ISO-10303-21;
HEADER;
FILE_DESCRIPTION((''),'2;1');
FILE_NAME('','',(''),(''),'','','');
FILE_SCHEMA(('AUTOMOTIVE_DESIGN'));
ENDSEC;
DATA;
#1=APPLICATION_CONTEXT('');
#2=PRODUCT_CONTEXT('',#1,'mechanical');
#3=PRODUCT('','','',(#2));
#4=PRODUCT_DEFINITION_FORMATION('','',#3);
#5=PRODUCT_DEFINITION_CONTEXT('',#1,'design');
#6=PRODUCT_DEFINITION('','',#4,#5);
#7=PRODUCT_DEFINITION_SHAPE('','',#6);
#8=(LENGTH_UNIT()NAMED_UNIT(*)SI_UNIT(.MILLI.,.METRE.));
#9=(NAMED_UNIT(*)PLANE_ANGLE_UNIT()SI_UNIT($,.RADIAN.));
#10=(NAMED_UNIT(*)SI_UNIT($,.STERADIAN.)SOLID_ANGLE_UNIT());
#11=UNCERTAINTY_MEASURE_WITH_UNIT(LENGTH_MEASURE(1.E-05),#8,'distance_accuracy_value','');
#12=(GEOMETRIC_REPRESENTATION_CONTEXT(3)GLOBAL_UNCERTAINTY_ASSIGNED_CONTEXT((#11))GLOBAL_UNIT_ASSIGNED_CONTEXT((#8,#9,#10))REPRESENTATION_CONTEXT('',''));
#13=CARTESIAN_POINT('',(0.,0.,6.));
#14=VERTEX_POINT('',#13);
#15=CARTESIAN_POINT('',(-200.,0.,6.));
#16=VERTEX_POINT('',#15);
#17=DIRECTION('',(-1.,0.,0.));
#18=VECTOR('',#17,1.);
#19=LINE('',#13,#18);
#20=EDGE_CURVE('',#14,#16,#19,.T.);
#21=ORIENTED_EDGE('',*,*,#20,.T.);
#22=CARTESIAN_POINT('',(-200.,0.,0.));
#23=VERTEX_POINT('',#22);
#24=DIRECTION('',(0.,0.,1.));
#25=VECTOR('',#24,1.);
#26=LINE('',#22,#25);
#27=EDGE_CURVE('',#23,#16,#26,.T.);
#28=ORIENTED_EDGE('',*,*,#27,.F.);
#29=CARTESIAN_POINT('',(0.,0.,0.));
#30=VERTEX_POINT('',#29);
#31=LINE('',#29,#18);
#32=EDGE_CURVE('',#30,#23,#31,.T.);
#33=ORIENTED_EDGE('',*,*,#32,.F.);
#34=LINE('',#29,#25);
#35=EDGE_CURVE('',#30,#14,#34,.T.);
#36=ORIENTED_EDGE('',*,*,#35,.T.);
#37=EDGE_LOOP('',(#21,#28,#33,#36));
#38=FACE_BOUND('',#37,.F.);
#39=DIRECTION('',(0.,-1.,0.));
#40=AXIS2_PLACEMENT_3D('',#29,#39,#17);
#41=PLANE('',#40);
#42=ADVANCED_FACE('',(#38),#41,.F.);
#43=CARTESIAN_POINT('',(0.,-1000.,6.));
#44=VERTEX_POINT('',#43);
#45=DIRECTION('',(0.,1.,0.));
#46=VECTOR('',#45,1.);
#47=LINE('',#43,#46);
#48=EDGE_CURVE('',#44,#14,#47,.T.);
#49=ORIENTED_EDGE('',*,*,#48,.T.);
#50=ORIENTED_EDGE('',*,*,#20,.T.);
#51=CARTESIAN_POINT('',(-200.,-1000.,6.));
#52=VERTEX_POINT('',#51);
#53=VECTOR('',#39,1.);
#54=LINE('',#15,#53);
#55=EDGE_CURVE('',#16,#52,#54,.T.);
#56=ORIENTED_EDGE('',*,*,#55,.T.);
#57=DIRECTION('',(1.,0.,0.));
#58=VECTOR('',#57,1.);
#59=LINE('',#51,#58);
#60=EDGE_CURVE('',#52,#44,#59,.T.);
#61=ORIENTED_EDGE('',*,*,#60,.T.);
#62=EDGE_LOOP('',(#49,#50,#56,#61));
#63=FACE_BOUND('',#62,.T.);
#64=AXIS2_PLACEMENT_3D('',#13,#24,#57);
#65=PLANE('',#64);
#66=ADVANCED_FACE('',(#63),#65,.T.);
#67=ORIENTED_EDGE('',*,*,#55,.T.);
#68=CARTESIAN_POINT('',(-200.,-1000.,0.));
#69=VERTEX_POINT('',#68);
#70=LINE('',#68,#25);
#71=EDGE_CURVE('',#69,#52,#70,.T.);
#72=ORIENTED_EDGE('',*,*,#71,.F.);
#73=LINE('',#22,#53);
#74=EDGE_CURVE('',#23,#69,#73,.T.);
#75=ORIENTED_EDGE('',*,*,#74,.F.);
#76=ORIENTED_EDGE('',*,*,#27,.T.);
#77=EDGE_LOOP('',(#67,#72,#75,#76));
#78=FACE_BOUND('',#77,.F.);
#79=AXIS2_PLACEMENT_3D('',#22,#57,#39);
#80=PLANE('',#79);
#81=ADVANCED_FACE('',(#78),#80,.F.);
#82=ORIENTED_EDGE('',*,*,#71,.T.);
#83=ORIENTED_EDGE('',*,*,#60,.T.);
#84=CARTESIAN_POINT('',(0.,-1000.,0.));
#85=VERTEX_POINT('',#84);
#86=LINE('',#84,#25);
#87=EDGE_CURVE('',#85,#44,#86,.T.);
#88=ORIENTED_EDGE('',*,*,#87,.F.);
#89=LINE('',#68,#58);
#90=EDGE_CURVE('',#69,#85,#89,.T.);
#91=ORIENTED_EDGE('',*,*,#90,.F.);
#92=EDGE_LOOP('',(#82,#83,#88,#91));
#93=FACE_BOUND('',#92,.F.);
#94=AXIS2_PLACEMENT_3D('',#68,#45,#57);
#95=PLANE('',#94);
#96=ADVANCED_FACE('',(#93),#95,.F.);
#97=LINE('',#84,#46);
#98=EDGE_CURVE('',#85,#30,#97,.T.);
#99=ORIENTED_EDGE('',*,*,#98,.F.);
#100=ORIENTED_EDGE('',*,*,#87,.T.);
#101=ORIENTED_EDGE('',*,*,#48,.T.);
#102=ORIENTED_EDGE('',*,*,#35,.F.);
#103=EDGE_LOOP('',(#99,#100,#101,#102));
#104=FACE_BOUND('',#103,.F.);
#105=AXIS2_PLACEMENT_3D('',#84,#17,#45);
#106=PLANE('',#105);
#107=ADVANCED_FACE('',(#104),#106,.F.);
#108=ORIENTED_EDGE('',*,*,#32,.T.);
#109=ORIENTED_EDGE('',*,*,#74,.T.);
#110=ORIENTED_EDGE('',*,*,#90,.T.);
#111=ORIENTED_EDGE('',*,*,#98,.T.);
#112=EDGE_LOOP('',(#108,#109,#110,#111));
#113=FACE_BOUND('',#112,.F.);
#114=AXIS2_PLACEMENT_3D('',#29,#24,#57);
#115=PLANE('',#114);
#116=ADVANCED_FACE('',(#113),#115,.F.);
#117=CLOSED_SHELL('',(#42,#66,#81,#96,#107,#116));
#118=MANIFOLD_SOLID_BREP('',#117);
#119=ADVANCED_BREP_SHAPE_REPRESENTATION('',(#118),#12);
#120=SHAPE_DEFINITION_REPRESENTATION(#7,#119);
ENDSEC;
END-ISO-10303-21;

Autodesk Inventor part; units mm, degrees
ref_plane "YZ Plane" through (0, 0, 0) normal (1, 0, 0) x (0, 1, 0)
ref_plane "XZ Plane" through (0, 0, 0) normal (0, 1, 0) x (-1, 0, 0)
ref_plane "XY Plane" through (0, 0, 0) normal (0, 0, 1) x (1, 0, 0)
sketch "Sketch1" plane through (0, 0, 0) normal (0, 0, 1) x (1, 0, 0)
  line L0 (0, 0) -> (-200, 0)
  line L1 (-200, 0) -> (-200, -1000)
  line L2 (-200, -1000) -> (0, -1000)
  line L3 (0, -1000) -> (0, 0)
extrude "Extrusion1" add sketch "Sketch1" along normal blind 6
properties part number "plafond"
